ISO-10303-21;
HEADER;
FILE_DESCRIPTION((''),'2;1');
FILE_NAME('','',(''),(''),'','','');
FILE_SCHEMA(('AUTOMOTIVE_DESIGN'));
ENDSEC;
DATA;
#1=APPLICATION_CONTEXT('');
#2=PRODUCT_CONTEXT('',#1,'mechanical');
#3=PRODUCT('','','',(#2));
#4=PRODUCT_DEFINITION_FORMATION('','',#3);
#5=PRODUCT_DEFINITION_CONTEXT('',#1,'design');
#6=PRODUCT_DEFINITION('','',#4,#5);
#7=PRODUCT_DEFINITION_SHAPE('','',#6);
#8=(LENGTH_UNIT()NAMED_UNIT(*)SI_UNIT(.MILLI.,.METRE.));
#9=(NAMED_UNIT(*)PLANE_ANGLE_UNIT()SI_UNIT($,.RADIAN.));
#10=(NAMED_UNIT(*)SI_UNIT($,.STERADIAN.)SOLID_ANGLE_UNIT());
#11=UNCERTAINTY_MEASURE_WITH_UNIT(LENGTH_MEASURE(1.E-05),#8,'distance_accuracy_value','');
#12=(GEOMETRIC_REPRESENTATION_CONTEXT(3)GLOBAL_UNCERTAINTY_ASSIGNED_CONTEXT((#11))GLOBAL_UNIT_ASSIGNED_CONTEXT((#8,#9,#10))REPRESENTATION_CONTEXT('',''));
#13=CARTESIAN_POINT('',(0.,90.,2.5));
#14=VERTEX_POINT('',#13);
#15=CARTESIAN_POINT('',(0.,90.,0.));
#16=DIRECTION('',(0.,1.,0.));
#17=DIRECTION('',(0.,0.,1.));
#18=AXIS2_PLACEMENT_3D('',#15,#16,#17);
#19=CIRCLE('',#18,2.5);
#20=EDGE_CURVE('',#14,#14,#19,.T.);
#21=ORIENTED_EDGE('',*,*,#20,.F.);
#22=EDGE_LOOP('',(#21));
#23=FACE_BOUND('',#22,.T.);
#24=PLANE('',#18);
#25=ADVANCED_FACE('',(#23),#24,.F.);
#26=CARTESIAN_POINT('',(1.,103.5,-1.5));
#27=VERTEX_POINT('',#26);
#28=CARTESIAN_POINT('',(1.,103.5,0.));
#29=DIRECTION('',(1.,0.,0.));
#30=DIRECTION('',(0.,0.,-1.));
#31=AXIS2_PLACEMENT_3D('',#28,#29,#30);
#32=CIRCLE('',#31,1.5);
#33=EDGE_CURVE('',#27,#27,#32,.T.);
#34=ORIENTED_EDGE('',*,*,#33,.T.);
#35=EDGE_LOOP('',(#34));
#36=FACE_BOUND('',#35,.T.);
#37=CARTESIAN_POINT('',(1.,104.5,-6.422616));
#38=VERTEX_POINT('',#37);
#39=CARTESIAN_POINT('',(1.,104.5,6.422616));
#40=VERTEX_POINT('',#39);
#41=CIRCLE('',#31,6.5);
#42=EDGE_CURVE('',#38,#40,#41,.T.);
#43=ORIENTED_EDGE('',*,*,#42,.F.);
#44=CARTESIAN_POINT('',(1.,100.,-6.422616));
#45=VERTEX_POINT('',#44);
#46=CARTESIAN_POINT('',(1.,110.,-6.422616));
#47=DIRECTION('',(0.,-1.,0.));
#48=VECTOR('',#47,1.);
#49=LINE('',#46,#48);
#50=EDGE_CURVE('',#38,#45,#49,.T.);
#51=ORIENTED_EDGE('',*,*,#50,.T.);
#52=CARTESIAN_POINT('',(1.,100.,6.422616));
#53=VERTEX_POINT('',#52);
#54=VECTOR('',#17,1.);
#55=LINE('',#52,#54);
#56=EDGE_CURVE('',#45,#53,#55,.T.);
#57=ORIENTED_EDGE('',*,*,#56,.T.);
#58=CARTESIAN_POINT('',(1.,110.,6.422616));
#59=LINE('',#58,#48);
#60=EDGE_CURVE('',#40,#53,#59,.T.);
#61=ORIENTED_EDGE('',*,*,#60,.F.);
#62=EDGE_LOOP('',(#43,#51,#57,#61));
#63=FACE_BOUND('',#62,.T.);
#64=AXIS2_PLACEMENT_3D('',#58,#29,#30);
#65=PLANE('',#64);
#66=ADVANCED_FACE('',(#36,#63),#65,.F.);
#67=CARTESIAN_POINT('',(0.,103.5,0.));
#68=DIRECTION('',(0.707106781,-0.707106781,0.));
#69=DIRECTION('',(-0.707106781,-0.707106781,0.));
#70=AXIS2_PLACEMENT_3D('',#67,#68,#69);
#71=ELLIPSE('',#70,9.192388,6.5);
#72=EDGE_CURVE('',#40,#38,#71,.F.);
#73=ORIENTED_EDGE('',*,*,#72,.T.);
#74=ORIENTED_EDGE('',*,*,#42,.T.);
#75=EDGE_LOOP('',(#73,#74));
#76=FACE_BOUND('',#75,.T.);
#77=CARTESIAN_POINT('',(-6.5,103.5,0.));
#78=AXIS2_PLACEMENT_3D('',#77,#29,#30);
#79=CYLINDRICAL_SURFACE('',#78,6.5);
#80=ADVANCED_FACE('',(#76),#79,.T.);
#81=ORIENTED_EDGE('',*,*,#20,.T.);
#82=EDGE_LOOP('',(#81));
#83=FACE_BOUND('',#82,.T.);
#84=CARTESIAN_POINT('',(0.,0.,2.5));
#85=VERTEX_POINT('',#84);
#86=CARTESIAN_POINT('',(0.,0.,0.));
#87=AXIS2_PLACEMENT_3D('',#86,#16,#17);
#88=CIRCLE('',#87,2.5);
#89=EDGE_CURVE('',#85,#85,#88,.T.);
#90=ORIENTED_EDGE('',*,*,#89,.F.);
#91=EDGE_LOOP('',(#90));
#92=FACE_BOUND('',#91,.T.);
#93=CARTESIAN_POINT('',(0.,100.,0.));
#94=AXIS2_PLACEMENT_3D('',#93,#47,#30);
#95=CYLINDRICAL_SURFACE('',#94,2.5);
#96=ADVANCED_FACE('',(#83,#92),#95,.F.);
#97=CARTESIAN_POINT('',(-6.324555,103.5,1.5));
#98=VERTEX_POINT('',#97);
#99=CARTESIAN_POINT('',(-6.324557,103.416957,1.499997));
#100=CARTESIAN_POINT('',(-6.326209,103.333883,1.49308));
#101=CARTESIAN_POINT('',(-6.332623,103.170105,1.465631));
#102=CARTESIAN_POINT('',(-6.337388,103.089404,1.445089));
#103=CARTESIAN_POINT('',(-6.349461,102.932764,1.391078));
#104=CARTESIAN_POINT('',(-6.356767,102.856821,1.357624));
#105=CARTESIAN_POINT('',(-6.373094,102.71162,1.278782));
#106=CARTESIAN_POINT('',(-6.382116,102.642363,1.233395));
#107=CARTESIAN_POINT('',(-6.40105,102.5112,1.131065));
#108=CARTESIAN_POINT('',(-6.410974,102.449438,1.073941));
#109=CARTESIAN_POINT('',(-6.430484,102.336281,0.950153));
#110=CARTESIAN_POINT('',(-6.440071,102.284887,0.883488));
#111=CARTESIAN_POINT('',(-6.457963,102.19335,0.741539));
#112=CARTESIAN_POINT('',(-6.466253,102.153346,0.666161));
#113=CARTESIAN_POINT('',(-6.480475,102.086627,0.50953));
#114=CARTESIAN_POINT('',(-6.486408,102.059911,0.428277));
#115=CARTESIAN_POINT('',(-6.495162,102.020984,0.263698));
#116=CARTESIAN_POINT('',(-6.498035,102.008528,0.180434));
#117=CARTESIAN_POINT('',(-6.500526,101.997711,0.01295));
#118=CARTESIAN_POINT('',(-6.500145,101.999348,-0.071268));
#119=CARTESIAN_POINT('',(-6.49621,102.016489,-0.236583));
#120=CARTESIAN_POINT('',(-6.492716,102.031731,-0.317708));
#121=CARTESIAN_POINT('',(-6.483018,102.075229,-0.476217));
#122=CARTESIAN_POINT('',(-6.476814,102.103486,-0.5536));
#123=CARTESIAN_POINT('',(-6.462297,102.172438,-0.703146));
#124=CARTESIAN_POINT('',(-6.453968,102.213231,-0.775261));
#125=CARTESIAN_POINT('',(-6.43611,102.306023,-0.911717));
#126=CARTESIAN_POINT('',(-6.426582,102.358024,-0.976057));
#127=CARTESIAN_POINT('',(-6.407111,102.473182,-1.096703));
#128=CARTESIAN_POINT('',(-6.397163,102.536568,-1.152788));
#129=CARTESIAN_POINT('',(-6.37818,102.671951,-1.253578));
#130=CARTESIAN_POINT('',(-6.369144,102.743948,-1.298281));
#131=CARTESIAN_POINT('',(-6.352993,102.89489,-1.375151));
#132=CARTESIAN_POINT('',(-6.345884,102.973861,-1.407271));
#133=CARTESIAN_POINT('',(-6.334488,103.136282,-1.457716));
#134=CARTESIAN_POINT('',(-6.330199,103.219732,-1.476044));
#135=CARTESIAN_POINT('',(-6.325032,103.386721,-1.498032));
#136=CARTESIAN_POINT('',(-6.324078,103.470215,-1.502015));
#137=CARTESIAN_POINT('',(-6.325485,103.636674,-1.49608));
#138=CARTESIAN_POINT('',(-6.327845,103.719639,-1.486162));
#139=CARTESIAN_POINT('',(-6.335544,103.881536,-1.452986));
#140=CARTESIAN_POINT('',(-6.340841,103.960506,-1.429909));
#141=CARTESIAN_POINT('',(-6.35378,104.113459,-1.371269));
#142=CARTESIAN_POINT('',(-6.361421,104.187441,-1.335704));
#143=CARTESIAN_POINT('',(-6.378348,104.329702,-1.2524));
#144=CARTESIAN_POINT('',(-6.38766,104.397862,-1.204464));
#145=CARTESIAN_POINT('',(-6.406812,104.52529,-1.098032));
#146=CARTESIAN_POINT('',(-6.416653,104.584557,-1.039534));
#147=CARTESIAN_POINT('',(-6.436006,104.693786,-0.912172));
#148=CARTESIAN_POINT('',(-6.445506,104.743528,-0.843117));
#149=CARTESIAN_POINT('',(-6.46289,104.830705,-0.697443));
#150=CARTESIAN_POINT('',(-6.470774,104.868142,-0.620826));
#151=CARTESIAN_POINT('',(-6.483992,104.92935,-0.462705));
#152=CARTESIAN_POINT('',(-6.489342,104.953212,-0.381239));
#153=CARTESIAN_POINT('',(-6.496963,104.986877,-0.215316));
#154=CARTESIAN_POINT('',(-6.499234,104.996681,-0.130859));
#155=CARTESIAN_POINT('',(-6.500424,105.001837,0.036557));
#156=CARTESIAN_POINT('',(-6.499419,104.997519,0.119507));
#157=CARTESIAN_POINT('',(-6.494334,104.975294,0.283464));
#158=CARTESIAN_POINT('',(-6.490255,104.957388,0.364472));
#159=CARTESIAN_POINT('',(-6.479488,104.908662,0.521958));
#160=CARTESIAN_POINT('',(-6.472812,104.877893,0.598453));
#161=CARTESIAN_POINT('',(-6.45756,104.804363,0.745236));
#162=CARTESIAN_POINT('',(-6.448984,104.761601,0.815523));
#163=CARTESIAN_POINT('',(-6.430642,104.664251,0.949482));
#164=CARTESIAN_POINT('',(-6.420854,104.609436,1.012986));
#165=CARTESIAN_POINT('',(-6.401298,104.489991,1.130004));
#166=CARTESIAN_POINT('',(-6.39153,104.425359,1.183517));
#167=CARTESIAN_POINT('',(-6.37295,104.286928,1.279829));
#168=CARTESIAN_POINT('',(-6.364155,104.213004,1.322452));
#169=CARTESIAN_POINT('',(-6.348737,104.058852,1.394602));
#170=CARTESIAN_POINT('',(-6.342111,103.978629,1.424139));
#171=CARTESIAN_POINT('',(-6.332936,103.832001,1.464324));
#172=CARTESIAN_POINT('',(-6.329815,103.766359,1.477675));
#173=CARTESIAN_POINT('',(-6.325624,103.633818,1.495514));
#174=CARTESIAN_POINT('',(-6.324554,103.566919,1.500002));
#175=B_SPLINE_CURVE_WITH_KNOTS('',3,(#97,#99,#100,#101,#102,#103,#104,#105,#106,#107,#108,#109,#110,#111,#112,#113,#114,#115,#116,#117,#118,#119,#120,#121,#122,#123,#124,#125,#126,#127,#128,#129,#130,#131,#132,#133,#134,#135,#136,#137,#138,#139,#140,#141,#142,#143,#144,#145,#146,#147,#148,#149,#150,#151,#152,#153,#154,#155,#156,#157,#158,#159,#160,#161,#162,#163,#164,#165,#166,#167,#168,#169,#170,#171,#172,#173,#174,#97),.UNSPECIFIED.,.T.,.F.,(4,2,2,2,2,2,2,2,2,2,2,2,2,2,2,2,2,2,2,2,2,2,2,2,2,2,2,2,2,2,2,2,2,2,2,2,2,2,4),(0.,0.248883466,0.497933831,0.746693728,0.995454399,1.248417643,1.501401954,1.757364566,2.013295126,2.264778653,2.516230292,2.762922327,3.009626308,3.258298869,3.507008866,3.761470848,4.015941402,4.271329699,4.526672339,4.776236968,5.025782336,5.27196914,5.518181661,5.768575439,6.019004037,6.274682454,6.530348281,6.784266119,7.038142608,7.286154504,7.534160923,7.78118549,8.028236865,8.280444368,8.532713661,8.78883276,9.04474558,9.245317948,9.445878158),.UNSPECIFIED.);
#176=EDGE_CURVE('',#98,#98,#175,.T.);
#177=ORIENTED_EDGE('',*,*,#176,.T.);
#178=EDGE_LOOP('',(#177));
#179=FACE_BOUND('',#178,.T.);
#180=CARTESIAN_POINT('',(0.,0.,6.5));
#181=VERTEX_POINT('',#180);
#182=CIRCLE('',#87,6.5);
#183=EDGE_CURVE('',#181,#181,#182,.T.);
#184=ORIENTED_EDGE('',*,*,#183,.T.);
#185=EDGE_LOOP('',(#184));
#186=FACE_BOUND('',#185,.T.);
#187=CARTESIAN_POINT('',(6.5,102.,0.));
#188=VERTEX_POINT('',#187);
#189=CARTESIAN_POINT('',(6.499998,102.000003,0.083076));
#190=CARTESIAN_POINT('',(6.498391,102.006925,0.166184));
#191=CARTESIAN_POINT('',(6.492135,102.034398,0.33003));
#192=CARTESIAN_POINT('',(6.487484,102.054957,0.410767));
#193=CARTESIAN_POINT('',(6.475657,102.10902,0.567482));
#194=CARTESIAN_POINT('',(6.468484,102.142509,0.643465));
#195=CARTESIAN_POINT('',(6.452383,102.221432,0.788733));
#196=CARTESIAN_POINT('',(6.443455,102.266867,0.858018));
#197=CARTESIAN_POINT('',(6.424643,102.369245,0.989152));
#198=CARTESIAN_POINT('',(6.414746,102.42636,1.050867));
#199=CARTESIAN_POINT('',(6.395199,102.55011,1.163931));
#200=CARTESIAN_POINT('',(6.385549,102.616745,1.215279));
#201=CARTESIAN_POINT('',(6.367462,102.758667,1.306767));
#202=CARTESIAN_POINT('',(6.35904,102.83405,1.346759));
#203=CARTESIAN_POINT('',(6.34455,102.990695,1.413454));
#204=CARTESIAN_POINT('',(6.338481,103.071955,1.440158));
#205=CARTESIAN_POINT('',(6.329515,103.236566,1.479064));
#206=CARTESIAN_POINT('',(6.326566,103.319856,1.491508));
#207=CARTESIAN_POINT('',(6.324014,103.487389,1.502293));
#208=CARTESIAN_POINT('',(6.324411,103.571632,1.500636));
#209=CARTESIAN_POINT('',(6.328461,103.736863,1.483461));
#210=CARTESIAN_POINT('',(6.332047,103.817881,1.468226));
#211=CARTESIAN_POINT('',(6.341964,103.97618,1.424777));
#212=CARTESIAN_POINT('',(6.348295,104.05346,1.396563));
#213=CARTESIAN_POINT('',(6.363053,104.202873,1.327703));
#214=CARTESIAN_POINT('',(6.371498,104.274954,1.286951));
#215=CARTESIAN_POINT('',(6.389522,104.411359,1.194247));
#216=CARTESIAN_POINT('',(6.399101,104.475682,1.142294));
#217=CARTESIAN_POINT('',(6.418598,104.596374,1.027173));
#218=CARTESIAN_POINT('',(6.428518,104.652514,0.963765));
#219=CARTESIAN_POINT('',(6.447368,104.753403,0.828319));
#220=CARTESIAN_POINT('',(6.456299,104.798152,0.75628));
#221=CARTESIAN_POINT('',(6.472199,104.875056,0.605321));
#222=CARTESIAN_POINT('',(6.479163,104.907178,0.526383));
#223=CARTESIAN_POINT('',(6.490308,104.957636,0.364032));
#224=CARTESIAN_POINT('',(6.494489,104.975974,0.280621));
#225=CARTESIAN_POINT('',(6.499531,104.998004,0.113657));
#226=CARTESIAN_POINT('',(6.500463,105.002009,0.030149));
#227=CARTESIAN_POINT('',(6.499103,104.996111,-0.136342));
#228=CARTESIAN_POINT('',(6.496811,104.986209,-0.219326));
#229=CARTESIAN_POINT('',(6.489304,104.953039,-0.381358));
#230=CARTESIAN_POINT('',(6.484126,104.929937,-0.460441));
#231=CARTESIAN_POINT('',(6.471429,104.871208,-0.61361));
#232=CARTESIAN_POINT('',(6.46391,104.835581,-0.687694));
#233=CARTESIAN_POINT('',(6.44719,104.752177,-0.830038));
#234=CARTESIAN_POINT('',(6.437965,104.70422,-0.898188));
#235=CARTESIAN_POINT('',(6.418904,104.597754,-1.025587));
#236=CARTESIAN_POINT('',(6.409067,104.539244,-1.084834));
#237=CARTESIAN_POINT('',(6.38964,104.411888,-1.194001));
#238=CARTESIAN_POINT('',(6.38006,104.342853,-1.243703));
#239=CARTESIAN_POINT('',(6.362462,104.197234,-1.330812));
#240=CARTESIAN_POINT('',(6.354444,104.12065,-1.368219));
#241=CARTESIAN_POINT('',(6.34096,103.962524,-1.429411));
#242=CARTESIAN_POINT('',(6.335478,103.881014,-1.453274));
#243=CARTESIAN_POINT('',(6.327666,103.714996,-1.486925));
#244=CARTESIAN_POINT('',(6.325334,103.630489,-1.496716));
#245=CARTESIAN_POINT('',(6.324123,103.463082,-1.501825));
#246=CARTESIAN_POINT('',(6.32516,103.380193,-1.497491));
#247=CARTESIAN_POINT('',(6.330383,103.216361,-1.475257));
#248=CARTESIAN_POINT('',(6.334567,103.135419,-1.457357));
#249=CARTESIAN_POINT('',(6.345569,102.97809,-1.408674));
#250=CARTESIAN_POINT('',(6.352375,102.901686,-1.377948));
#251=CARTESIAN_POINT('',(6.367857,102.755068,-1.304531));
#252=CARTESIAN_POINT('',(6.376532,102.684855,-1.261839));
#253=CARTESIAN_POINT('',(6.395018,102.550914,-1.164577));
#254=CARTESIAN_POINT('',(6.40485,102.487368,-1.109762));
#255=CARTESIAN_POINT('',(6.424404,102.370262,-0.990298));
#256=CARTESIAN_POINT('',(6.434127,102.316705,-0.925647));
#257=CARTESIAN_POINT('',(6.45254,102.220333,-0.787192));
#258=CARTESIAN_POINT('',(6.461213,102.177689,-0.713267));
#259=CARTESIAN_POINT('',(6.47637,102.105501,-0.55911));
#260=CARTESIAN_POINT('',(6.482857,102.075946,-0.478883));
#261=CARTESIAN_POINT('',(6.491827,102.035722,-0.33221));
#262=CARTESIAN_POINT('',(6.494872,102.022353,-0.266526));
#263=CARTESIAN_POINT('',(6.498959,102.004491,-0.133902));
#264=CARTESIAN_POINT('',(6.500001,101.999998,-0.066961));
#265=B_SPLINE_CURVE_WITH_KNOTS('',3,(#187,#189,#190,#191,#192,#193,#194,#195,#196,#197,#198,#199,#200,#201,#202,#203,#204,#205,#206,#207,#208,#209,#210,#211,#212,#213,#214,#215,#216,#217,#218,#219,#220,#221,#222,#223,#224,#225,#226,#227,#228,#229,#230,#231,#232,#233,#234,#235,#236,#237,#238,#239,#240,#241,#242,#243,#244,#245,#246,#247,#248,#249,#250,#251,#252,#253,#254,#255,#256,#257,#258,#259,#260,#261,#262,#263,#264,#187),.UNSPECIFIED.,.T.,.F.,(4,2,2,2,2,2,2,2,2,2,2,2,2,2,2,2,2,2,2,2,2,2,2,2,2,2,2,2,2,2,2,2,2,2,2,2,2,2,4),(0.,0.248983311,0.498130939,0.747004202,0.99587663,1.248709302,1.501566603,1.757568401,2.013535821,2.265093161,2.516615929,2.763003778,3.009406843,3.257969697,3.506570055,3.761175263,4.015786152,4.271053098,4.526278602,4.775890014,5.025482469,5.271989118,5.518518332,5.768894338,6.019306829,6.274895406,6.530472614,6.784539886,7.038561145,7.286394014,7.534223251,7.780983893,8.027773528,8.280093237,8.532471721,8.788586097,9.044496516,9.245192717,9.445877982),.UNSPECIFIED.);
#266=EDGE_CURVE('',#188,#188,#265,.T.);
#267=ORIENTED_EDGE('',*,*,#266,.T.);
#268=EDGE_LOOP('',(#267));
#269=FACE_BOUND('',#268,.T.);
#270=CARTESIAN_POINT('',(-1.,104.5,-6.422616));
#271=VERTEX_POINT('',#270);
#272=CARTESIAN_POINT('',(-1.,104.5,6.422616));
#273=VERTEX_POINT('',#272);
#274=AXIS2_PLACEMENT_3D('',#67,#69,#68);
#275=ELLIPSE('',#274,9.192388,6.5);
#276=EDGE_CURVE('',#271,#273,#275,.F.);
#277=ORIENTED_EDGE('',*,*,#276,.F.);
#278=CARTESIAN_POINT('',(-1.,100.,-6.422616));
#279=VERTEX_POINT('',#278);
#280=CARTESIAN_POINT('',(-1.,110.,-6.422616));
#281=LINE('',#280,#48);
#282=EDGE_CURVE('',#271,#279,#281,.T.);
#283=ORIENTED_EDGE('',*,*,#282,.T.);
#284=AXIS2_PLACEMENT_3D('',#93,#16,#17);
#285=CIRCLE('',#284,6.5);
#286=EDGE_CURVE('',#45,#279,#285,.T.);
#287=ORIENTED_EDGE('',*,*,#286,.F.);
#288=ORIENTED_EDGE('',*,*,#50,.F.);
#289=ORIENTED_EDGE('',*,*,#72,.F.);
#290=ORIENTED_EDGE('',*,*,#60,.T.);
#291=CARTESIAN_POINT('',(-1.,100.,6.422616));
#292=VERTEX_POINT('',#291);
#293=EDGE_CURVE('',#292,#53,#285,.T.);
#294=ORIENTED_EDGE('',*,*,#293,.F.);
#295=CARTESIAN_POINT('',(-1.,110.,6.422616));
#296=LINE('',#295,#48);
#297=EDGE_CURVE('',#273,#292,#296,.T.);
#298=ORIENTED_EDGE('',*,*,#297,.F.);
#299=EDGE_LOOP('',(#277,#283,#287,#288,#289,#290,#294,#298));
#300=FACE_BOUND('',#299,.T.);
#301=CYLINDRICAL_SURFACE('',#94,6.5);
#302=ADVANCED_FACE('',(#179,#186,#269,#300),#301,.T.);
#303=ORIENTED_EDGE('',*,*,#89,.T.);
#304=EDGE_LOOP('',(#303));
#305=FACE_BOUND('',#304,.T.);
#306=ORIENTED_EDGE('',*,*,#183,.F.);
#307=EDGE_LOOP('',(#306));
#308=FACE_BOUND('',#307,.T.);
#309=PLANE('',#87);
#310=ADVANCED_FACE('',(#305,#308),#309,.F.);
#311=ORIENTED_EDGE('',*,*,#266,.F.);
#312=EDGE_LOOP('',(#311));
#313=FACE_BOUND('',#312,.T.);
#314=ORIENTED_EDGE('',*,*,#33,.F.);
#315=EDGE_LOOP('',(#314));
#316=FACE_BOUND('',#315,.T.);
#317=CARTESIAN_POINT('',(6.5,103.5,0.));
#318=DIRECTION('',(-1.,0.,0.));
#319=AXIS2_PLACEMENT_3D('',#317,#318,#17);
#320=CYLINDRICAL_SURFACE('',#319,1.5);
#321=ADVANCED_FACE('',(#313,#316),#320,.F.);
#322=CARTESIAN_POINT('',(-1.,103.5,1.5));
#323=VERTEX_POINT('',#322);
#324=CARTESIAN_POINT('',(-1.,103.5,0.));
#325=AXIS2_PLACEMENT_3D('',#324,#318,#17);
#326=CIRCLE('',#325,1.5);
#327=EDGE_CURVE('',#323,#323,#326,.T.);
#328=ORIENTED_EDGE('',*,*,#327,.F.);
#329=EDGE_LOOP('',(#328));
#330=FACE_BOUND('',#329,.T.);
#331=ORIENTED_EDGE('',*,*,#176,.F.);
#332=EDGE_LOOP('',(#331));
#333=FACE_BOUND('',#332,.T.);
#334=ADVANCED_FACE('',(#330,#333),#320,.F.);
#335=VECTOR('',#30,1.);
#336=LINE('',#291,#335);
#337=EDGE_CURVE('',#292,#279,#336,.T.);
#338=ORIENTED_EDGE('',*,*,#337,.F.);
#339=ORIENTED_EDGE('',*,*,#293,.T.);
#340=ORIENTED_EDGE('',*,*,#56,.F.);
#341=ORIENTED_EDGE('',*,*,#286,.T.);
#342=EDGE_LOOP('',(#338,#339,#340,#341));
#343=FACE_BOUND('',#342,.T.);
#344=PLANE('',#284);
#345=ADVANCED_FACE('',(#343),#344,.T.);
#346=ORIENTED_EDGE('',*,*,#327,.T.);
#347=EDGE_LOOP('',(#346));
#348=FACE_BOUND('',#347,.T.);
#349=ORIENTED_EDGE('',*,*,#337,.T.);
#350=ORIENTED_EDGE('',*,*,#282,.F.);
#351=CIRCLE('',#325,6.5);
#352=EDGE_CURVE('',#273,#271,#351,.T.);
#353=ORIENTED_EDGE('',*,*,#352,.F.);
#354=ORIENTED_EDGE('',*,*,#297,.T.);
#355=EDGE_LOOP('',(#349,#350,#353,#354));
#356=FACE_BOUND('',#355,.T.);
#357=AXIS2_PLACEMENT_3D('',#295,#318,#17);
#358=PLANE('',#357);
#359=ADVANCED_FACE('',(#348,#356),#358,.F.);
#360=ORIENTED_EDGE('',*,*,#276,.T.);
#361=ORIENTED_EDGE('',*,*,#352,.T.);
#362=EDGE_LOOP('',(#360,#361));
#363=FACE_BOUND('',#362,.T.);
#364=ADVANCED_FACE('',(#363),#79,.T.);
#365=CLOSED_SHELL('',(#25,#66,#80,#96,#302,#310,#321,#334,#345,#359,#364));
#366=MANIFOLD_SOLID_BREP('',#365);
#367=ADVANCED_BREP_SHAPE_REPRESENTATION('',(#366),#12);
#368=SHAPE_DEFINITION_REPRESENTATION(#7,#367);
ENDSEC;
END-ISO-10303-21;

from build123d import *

# Parameters (mm, degrees)
SKETCH1_R               = 6.5
SKETCH1_R_2             = 2.5
BOSS_EXTRUDE1_DEPTH     = 100
SKETCH2_R               = 6.5
BOSS_EXTRUDE2_DEPTH     = 10
BOSS_EXTRUDE3_DEPTH     = 10
CUT_EXTRUDE2_DEPTH      = 7.5
CUT_EXTRUDE2_DEPTH_BACK = 7.5
SKETCH5_R               = 1.5
CUT_EXTRUDE3_DEPTH      = 8.5
CUT_EXTRUDE3_DEPTH_BACK = 6.5


with BuildPart() as part:
    # Sketch1 → Boss-Extrude1 (new body)
    with BuildSketch(Plane(origin=(0, 0, 0), x_dir=(1, 0, 0), z_dir=(0, 1, 0))):
        Circle(SKETCH1_R)
        Circle(SKETCH1_R_2, mode=Mode.SUBTRACT)
    extrude(amount=BOSS_EXTRUDE1_DEPTH)

    # Sketch2 → Boss-Extrude2 (add)
    with BuildSketch(Plane(origin=(0, 100, 0), x_dir=(1, 0, 0), z_dir=(0, 1, 0))):
        Circle(SKETCH2_R)
    extrude(amount=-BOSS_EXTRUDE2_DEPTH)

    # Sketch3 → Boss-Extrude3 (add)
    with BuildSketch(Plane(origin=(0, 100, 0), x_dir=(1, 0, 0), z_dir=(0, 1, 0))):
        with BuildLine():
            Line((-1, -6.422616), (-1, 6.422616))
            ThreePointArc((-1, 6.422616), (-6.5, 0), (-1, -6.422616))
        make_face()
        with BuildLine():
            Line((1, -6.422616), (1, 6.422616))
            ThreePointArc((1, 6.422616), (6.5, 0), (1, -6.422616))
        make_face()
    extrude(amount=BOSS_EXTRUDE3_DEPTH)

    # Sketch4 → Cut-Extrude2 (cut, two sides)
    with BuildSketch(Plane(origin=(0, 0, 0), x_dir=(0, 0, -1), z_dir=(1, 0, 0))) as cut_extrude2_sk:
        with BuildLine():
            ThreePointArc((0, 110), (4.541154, 108.150583), (6.498158, 103.654745))
            Line((6.498158, 103.654745), (6.422616, 110))
            Line((6.422616, 110), (0, 110))
        make_face()
        with BuildLine():
            Line((-6.422616, 110), (-6.498158, 103.654745))
            ThreePointArc((-6.498158, 103.654745), (-4.541154, 108.150583), (0, 110))
            Line((0, 110), (-6.422616, 110))
        make_face()
    extrude(amount=CUT_EXTRUDE2_DEPTH, mode=Mode.SUBTRACT)
    extrude(cut_extrude2_sk.sketch, amount=-CUT_EXTRUDE2_DEPTH_BACK, mode=Mode.SUBTRACT)

    # Sketch5 → Cut-Extrude3 (cut, two sides)
    with BuildSketch(Plane.ZY.offset(-1)) as cut_extrude3_sk:
        with Locations((0, 103.5)):
            Circle(SKETCH5_R)
    extrude(amount=CUT_EXTRUDE3_DEPTH, mode=Mode.SUBTRACT)
    extrude(cut_extrude3_sk.sketch, amount=-CUT_EXTRUDE3_DEPTH_BACK, mode=Mode.SUBTRACT)


solid = part.part
